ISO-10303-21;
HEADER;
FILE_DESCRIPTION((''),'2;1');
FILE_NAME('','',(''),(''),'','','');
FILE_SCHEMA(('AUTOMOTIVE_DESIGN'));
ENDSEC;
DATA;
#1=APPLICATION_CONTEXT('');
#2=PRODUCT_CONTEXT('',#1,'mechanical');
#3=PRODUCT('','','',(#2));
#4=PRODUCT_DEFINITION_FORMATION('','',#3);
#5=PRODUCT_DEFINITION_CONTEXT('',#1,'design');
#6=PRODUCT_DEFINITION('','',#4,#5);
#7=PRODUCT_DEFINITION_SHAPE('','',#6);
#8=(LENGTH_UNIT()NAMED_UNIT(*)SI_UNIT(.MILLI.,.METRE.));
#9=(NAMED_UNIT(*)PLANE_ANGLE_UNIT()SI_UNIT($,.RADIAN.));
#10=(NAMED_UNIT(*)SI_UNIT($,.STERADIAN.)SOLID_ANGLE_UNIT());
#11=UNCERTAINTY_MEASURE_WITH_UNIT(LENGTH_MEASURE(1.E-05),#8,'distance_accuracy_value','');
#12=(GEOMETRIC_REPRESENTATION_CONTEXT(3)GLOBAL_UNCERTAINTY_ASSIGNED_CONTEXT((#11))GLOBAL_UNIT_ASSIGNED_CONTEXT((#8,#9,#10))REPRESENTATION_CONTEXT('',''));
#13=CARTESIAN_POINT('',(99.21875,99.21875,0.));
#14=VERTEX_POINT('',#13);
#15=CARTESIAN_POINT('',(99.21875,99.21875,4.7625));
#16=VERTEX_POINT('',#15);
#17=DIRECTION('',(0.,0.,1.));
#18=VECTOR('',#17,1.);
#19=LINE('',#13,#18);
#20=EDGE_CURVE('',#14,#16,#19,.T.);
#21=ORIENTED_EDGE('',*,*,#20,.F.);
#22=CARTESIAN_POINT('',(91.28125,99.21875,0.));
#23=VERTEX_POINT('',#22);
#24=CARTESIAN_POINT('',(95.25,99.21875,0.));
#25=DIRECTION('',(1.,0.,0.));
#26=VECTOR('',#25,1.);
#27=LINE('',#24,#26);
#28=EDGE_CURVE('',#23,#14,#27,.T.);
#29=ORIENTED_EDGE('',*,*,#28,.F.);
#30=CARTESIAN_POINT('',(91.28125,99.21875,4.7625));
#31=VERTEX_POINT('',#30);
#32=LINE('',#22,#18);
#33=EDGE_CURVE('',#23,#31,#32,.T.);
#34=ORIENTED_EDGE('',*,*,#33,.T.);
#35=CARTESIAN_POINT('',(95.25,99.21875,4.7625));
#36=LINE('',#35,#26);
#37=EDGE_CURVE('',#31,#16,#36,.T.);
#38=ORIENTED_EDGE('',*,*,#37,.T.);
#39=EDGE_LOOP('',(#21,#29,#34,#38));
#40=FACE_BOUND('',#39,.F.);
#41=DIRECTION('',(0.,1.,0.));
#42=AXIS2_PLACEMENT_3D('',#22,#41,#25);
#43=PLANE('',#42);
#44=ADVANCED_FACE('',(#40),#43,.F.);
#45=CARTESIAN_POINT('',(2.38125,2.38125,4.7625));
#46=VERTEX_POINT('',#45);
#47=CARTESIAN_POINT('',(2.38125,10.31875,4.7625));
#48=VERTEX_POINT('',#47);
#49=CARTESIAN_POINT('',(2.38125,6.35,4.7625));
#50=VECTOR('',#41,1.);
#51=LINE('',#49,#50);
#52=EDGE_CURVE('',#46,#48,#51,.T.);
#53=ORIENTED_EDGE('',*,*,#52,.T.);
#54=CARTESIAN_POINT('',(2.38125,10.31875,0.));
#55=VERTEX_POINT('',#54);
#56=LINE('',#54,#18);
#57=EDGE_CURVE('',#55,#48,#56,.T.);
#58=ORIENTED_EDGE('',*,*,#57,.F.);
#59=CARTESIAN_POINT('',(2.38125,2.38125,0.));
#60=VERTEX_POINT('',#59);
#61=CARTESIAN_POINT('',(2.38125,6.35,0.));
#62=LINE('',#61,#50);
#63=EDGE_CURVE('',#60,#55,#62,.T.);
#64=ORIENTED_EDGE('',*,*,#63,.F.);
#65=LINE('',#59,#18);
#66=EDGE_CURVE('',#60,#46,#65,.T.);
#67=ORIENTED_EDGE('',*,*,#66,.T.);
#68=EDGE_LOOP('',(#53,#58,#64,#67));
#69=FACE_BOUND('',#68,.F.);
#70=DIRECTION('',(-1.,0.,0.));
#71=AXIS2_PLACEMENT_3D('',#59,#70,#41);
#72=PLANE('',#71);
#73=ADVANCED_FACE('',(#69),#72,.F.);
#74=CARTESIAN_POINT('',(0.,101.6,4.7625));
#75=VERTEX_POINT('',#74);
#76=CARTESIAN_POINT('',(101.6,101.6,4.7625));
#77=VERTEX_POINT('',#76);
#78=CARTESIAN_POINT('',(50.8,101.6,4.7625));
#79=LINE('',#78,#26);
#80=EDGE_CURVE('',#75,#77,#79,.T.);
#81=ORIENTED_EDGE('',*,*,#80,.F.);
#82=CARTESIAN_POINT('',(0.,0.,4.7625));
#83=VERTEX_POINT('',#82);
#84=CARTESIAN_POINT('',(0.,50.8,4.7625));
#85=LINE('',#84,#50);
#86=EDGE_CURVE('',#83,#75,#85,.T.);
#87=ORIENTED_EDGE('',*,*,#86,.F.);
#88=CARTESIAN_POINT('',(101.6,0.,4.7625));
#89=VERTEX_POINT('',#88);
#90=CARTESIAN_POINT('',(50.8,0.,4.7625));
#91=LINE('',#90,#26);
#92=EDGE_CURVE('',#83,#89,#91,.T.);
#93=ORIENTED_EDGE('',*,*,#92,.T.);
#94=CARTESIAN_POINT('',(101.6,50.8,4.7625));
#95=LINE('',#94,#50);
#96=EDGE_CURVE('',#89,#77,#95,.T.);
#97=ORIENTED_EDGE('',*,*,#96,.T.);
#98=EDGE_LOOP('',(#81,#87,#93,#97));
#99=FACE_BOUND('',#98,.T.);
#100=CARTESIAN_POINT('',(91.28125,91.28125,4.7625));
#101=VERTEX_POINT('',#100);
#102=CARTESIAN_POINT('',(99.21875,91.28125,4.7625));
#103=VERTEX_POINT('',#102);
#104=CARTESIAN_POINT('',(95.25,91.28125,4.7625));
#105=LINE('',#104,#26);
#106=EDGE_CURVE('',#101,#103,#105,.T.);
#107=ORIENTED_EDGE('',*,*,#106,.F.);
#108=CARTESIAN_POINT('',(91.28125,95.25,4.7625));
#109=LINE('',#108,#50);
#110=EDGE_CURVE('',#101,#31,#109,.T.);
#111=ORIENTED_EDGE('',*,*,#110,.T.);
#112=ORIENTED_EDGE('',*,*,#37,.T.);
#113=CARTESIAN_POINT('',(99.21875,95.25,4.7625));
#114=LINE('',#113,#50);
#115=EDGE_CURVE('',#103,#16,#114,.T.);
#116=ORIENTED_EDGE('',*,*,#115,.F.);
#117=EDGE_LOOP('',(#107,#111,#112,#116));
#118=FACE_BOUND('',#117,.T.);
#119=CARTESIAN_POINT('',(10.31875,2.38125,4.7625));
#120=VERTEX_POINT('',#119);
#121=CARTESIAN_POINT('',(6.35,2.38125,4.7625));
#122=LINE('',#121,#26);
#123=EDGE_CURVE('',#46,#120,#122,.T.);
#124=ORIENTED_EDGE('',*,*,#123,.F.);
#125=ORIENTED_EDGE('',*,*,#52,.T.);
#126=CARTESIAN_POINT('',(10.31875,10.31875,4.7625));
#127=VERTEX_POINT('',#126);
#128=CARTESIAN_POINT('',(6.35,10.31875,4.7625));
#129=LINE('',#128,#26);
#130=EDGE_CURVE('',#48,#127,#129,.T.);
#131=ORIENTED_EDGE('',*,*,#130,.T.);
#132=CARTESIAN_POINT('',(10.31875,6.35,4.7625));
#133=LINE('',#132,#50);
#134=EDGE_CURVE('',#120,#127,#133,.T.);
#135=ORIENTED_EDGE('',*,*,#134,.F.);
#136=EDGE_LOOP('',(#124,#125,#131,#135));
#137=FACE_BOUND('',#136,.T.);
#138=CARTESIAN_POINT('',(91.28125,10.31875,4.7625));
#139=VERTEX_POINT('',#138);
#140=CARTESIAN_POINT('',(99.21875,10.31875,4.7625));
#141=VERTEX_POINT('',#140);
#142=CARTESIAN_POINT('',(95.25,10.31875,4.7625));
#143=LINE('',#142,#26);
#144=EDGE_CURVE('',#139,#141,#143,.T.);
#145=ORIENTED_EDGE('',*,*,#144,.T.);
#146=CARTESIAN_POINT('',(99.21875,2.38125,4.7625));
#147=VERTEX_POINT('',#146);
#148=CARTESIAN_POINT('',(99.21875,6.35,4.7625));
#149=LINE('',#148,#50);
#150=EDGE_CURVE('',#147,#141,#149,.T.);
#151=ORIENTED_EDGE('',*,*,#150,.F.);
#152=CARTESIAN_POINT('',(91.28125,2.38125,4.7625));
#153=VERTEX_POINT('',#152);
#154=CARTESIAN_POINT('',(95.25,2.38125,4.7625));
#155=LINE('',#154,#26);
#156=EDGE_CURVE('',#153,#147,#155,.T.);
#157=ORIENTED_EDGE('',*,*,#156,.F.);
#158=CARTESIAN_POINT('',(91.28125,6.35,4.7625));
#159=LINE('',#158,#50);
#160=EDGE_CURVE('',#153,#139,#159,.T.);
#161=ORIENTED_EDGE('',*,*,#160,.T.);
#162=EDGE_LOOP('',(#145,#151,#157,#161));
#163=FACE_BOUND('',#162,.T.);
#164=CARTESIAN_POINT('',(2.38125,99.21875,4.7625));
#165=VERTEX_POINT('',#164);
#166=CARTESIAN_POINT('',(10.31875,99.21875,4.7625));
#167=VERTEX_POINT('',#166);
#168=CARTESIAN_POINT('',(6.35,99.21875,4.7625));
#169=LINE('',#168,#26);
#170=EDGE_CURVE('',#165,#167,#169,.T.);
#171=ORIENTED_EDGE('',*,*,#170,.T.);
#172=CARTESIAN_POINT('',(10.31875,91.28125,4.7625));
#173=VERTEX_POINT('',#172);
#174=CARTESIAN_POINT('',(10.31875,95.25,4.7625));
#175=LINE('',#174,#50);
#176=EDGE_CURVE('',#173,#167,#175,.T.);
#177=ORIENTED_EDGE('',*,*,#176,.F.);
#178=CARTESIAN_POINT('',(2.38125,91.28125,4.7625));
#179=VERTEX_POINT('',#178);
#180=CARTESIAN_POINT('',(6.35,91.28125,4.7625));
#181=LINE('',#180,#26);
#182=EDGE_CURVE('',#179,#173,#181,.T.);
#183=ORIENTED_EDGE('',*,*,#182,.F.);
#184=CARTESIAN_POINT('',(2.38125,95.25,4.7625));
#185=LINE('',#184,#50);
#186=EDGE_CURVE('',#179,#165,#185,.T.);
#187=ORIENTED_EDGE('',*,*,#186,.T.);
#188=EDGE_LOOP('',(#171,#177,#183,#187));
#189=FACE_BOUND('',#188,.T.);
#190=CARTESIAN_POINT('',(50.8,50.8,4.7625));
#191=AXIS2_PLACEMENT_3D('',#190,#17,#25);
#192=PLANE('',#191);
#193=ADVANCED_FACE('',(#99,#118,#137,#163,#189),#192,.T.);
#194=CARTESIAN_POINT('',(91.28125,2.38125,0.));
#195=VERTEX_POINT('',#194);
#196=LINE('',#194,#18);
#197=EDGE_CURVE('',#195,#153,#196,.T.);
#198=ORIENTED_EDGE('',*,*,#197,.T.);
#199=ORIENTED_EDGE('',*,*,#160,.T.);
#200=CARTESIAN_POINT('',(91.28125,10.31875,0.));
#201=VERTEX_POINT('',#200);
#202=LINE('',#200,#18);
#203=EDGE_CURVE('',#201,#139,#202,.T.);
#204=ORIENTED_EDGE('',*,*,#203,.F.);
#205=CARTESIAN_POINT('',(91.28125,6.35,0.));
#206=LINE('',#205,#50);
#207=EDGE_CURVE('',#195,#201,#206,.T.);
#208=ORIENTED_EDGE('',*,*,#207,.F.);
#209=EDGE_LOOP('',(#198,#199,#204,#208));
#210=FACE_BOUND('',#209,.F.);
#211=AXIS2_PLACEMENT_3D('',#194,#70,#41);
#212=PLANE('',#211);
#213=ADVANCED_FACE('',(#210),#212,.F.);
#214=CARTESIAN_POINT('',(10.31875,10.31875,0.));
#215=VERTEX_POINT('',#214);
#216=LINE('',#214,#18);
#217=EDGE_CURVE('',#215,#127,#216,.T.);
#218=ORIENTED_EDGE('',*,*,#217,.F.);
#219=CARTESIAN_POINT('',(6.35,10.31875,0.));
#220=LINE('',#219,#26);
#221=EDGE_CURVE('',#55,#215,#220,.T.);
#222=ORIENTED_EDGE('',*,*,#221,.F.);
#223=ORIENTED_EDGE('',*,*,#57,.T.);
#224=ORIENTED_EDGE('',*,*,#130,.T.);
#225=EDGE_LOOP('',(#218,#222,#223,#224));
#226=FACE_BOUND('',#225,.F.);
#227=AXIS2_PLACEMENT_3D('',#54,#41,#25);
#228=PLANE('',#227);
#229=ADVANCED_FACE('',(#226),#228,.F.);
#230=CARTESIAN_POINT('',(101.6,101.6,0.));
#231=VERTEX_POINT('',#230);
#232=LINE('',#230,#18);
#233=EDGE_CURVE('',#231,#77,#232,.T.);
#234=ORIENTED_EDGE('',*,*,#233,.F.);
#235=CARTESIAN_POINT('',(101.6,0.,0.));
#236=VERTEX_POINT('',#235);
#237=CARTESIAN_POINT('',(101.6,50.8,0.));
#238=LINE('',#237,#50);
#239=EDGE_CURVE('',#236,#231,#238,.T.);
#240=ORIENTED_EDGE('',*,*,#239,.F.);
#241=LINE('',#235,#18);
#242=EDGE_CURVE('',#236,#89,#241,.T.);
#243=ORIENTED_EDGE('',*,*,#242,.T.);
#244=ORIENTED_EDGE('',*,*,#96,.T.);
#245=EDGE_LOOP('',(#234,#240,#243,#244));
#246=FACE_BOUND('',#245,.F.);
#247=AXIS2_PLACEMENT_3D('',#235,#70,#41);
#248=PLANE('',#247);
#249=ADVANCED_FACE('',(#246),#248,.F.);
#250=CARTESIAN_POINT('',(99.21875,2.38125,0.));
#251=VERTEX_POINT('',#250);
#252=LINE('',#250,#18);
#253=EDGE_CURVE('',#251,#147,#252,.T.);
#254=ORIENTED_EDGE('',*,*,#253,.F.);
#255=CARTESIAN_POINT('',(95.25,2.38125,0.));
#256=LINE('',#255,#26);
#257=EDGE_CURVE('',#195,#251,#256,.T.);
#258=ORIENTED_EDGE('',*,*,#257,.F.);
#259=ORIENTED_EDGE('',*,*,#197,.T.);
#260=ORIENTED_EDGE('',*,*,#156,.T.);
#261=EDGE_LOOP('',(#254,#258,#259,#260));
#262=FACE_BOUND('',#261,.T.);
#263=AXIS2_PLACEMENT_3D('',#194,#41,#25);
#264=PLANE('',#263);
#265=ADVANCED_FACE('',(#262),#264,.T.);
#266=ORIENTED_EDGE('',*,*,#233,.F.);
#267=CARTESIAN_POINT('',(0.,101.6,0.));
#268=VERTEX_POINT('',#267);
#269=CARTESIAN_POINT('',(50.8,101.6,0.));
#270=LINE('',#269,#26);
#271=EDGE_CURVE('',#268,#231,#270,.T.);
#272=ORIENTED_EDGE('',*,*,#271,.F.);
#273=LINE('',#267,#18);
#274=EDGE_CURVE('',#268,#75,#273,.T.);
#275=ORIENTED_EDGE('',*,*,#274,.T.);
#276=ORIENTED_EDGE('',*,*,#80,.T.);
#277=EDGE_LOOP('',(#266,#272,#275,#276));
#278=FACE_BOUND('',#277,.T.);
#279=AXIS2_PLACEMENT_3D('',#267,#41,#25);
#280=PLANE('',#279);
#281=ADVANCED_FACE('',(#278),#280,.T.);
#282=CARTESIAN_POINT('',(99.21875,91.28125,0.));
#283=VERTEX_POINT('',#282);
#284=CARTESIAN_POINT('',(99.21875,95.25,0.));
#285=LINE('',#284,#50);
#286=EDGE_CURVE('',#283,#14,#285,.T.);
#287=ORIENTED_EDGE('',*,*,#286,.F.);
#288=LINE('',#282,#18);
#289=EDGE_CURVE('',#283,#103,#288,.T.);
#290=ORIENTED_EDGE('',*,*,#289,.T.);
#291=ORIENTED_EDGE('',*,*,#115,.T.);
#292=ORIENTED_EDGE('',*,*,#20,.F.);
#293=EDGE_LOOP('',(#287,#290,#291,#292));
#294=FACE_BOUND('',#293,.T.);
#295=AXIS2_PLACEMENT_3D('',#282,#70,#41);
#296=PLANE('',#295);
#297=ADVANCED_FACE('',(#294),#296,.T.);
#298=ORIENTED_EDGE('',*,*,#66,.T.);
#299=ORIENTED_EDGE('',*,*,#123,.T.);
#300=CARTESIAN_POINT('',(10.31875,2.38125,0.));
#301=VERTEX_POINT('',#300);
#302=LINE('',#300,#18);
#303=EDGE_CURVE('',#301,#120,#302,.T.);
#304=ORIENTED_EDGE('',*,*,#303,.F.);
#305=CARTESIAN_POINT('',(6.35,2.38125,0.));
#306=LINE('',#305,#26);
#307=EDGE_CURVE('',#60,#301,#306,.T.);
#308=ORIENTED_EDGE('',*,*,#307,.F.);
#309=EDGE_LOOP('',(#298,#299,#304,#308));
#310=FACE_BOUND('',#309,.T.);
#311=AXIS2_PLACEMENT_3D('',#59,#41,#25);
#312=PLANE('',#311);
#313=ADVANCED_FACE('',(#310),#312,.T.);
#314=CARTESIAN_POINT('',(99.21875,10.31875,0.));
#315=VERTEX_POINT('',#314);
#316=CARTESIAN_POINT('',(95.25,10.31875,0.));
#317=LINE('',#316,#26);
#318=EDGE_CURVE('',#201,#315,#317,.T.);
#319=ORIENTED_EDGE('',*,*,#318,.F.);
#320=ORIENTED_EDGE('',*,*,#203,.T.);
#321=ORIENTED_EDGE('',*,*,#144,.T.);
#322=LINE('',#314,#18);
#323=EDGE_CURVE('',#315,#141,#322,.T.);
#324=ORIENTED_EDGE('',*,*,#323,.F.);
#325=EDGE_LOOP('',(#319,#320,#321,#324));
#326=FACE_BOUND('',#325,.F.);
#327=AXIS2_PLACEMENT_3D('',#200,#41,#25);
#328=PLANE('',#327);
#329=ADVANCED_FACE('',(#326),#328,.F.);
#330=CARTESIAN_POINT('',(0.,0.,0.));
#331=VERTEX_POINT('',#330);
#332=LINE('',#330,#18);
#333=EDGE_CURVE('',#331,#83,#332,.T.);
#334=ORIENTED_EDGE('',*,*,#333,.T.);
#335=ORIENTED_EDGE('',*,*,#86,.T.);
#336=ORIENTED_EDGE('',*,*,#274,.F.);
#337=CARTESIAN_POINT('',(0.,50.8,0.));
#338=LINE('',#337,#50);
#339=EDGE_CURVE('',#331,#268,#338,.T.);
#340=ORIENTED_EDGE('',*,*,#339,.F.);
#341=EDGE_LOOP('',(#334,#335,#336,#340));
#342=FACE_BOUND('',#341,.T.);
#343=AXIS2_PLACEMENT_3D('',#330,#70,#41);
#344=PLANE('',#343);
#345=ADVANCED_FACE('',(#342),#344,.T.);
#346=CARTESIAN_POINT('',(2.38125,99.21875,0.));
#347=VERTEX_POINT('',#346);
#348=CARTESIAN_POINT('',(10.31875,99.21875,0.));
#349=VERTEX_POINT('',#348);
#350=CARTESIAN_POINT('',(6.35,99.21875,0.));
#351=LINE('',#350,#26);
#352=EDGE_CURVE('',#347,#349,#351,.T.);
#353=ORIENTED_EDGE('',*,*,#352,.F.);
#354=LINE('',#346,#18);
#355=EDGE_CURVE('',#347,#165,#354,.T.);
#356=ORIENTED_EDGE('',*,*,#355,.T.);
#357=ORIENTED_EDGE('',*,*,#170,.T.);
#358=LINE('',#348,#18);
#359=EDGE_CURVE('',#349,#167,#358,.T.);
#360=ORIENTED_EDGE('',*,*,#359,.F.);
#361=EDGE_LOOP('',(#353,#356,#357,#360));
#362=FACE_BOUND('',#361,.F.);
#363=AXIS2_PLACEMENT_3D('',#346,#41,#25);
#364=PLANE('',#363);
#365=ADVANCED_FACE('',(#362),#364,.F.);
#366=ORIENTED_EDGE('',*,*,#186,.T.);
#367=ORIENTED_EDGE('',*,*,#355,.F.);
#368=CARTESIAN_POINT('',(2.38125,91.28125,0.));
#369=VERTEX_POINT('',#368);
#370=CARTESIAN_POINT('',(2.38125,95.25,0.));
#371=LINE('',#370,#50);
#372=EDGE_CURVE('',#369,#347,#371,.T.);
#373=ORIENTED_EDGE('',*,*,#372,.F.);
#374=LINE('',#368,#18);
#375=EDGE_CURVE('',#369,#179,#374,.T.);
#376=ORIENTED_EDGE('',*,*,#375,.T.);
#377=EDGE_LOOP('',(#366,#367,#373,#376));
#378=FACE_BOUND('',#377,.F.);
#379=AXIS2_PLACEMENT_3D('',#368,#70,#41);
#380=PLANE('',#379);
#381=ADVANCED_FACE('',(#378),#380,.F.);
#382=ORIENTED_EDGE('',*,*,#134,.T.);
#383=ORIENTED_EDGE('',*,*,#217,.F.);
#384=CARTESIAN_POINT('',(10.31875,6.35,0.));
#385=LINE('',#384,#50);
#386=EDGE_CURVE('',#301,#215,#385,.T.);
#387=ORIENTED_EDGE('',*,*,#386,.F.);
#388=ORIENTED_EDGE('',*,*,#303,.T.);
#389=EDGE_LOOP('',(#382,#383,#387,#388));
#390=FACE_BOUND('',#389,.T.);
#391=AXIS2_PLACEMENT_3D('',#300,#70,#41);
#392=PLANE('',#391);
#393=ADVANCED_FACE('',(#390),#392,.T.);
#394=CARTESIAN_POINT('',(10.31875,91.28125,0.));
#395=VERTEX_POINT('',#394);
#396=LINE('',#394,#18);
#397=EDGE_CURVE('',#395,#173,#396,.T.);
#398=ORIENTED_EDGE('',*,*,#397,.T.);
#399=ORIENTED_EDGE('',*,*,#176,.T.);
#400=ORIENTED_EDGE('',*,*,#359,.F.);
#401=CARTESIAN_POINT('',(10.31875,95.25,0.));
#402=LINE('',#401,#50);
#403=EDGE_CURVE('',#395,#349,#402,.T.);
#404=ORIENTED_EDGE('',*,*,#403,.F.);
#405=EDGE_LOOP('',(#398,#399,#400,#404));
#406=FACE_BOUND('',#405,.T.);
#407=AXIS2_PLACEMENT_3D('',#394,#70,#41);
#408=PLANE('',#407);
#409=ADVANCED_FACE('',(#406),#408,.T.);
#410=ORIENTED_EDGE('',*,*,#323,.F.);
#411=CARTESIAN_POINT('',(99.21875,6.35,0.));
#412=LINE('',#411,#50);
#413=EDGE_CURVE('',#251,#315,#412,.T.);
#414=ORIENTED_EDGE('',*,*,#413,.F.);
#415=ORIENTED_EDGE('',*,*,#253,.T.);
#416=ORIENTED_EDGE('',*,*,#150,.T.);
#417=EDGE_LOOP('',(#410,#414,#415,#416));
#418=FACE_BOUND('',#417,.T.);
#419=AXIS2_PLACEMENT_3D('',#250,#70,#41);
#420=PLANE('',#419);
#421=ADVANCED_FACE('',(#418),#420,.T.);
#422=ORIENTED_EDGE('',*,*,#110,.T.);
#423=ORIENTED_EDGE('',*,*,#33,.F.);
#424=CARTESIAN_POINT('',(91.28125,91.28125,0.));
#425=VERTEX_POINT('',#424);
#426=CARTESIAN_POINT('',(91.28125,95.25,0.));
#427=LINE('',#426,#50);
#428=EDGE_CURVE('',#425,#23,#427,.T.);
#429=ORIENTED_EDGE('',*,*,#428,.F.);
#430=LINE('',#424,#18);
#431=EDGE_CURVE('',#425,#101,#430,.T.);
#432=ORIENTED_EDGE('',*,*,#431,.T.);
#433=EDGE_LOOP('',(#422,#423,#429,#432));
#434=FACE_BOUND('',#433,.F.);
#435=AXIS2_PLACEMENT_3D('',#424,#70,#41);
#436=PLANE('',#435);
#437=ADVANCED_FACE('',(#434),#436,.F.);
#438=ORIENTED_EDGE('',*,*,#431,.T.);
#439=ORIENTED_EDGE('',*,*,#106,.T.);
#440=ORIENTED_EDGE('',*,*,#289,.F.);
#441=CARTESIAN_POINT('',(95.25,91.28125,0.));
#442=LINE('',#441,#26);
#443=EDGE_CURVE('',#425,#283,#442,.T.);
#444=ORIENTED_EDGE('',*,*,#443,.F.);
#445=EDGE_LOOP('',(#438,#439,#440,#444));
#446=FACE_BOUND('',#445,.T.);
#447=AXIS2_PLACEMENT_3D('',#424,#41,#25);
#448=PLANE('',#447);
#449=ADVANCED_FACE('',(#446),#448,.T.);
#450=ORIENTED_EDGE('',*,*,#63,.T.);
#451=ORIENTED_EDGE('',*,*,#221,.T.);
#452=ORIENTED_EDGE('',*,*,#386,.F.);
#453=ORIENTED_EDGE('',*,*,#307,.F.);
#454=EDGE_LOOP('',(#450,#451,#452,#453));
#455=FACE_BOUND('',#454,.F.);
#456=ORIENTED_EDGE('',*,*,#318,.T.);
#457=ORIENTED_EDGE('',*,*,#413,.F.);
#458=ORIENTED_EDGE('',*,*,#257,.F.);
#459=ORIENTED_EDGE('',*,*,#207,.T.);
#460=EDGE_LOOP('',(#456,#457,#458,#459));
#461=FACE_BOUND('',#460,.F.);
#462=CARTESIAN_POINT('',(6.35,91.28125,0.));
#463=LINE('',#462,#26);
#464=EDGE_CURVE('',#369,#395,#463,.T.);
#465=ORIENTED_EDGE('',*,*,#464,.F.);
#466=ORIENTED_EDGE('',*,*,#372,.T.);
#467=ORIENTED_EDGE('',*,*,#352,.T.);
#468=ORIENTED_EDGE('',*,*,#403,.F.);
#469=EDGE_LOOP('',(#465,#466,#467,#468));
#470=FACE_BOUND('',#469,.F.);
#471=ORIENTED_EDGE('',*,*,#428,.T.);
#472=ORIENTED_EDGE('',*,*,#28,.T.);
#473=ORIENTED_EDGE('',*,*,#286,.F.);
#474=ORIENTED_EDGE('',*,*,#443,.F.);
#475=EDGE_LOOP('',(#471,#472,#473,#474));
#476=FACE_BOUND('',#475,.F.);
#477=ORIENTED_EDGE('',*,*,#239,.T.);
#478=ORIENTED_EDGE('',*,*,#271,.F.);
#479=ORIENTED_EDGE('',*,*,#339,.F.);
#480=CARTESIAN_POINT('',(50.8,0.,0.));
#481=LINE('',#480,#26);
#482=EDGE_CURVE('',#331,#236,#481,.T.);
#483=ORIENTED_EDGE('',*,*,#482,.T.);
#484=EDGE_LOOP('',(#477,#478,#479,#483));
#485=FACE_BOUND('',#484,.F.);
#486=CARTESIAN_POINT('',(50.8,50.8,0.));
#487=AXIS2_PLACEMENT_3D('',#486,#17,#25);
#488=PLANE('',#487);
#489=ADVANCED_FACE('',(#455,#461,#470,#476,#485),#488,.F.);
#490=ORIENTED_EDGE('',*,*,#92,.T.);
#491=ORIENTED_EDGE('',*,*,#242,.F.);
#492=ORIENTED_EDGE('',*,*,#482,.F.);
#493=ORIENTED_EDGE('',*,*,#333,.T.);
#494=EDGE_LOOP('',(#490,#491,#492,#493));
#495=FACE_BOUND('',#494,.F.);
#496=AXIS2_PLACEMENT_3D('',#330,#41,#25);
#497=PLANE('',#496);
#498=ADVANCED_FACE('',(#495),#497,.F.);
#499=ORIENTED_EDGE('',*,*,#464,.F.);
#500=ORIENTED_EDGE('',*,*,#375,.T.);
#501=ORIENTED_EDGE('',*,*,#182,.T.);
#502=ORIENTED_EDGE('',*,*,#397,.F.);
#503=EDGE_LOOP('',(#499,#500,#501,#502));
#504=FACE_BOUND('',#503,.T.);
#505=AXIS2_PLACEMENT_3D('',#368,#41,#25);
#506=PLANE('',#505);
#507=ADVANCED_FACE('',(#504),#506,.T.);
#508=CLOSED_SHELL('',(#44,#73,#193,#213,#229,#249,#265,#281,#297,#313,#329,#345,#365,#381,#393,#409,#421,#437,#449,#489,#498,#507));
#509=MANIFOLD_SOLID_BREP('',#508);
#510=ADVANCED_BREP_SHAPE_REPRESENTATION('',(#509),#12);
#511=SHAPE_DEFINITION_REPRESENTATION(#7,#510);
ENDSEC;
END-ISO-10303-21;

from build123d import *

# Parameters (mm, degrees)
F0_W     = 101.6
F0_H     = 101.6
F0_W_2   = 7.9375
F0_H_2   = 7.9375
F1_DEPTH = 4.7625


with BuildPart() as f1:
    # F0 (on Top) → F1 (new body)
    with BuildSketch(Plane.XY):
        with Locations((50.8, 50.8)):
            Rectangle(F0_W, F0_H)
        with Locations((6.35, 6.35)):
            Rectangle(F0_W_2, F0_H_2, mode=Mode.SUBTRACT)
        with Locations((95.25, 6.35)):
            Rectangle(F0_W_2, F0_H_2, mode=Mode.SUBTRACT)
        with Locations((6.35, 95.25)):
            Rectangle(F0_W_2, F0_H_2, mode=Mode.SUBTRACT)
        with Locations((95.25, 95.25)):
            Rectangle(F0_W_2, F0_H_2, mode=Mode.SUBTRACT)
    extrude(amount=F1_DEPTH)


solid = f1.part
